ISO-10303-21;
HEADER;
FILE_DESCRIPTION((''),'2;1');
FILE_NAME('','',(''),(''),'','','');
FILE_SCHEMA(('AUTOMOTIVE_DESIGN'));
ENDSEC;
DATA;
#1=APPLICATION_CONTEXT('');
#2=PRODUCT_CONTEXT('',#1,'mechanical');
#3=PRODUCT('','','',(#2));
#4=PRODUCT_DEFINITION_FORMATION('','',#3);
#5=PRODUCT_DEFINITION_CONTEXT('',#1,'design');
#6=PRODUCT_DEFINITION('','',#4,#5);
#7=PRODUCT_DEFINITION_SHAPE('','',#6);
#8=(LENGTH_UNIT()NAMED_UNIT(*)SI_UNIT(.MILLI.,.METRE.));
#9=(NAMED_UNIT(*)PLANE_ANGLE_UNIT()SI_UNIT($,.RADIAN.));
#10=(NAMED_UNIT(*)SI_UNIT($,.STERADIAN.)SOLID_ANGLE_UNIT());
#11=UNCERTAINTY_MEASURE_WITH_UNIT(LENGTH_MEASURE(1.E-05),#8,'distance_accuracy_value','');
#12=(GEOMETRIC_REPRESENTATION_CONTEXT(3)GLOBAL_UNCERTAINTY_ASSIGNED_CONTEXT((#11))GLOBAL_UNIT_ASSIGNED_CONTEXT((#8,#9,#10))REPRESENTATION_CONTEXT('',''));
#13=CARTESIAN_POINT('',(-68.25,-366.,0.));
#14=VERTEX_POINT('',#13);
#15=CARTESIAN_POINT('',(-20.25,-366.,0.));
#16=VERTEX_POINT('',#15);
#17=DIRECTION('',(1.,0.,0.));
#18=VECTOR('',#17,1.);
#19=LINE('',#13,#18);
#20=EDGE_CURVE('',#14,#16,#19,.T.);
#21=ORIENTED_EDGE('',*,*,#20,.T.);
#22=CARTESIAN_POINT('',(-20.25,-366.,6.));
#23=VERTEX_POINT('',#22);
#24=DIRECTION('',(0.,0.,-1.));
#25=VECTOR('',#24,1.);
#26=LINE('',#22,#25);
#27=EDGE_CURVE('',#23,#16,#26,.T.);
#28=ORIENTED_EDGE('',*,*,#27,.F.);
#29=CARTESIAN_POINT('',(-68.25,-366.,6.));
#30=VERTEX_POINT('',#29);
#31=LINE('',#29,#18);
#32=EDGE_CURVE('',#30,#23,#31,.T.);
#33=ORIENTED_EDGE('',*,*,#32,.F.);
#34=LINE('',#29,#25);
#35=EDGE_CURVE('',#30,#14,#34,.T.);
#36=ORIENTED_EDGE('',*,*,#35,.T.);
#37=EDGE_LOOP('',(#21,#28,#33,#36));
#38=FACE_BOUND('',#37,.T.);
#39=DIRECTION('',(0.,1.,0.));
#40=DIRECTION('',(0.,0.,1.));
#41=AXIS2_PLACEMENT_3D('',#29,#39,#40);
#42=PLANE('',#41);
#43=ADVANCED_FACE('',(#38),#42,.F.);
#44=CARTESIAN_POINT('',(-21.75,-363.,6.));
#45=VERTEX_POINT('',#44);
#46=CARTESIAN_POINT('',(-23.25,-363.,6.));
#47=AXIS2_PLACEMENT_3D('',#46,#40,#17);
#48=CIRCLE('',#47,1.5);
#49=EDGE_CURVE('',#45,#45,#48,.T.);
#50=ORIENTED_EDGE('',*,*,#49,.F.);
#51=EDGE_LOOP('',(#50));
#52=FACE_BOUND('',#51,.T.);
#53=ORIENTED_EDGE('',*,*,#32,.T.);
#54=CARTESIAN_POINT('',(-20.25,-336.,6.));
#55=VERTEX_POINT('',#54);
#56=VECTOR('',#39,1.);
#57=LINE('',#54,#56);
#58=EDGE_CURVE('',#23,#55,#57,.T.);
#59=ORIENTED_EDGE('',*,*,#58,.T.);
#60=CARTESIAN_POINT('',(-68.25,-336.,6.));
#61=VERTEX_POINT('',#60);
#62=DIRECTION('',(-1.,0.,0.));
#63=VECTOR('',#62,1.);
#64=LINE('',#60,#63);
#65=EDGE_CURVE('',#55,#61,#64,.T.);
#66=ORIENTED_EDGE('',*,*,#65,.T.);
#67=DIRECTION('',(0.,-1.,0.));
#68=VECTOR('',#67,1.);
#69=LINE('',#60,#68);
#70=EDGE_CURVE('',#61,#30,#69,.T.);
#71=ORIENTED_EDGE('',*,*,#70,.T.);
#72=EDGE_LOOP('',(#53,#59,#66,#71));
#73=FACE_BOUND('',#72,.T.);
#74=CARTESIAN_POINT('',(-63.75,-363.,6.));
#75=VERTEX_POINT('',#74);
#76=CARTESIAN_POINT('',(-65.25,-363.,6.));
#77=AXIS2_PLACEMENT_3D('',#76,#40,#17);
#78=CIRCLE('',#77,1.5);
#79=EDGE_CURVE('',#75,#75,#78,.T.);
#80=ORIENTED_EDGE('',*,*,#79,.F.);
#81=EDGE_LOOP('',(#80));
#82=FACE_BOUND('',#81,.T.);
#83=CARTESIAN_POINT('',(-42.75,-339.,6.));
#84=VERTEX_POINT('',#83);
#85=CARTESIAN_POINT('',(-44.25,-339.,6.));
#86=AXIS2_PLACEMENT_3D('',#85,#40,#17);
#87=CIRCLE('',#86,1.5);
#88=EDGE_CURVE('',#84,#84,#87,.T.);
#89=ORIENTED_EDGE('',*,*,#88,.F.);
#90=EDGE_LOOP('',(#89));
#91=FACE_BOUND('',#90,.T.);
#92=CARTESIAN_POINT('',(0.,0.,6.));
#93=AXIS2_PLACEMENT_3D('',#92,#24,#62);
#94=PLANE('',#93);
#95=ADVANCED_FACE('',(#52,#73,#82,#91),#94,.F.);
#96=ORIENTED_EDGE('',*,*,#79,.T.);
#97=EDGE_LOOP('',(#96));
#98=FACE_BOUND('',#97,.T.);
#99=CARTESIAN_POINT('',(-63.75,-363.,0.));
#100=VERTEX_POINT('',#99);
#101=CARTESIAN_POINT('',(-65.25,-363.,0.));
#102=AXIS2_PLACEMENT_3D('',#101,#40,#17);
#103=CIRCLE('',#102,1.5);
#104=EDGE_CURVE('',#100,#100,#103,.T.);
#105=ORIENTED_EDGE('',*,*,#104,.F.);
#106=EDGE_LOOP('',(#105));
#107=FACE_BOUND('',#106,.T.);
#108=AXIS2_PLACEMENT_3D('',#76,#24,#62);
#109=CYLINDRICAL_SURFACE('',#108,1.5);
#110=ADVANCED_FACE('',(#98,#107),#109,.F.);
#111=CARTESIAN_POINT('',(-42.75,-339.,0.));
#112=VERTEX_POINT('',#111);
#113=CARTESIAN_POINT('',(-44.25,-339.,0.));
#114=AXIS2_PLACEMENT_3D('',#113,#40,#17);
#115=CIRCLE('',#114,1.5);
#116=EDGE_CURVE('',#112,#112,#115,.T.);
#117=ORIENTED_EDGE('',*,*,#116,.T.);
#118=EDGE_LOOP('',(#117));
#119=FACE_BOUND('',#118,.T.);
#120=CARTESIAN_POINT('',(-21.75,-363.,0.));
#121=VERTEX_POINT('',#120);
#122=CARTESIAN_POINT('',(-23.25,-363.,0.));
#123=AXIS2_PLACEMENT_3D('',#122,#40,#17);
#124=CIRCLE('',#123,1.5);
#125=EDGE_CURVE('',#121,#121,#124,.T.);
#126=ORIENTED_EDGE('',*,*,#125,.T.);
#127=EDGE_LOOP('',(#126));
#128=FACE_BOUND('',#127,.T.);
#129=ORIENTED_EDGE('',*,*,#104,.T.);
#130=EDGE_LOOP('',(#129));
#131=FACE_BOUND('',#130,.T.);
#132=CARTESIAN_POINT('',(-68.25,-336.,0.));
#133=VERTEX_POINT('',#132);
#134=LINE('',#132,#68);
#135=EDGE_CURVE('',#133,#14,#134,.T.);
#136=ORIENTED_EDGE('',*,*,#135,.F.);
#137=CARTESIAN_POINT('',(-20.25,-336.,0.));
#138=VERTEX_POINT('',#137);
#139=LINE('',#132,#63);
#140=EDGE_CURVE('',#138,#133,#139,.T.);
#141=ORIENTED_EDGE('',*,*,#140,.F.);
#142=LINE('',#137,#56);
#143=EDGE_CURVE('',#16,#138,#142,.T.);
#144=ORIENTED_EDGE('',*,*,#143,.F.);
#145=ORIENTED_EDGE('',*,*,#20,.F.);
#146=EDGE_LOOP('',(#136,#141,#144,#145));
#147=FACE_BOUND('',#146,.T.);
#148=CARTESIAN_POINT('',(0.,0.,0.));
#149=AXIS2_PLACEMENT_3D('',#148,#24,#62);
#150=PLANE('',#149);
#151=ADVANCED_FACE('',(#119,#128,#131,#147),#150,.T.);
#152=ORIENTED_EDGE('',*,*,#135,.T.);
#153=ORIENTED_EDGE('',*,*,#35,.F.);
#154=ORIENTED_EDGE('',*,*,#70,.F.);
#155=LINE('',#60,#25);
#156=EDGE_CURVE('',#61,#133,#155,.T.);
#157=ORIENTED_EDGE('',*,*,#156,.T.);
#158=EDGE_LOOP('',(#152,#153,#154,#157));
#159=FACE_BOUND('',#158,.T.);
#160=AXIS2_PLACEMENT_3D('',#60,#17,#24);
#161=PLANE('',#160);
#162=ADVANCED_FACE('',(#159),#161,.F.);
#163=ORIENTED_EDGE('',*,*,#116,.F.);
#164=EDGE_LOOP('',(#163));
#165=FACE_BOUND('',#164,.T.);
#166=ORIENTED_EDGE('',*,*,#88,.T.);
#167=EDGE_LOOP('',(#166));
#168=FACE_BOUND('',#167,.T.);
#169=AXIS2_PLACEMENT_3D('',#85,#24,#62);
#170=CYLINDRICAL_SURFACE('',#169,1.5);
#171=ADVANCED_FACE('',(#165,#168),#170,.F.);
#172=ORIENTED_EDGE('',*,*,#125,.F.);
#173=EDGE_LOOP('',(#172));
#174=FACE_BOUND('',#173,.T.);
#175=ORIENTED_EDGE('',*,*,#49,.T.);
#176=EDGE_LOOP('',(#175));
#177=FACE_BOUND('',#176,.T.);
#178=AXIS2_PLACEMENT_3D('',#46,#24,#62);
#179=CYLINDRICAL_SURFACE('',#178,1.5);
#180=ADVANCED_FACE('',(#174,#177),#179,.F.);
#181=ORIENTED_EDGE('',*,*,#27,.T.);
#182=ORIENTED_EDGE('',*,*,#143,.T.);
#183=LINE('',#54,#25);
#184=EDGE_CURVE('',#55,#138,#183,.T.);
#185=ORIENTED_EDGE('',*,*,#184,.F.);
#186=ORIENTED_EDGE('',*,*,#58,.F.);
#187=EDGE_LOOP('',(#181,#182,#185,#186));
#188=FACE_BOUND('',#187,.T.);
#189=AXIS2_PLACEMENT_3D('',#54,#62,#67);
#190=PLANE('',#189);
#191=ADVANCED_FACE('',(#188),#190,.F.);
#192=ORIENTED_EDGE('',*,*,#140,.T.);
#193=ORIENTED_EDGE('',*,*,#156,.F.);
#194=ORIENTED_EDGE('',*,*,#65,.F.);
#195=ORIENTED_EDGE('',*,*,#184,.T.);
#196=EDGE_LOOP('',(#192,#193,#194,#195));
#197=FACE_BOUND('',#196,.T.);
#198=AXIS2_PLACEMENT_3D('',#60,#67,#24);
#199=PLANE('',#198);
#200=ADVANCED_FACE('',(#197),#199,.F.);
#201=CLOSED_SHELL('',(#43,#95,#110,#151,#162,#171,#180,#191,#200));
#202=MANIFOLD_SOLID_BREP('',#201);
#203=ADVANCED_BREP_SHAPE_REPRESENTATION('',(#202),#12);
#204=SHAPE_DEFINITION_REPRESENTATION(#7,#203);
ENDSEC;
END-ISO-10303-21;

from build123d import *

# Parameters (mm, degrees)
SKETCH_1_W      = 48
SKETCH_1_H      = 30
SKETCH_1_R      = 1.5
EXTRUDE_1_DEPTH = 6


with BuildPart() as part:
    # Эскиз1 → Бобышка-Вытянуть1 (new body)
    with BuildSketch(Plane.XY):
        with Locations((-44.25, -351)):
            Rectangle(SKETCH_1_W, SKETCH_1_H)
        with Locations((-65.25, -363)):
            Circle(SKETCH_1_R, mode=Mode.SUBTRACT)
        with Locations((-23.25, -363)):
            Circle(SKETCH_1_R, mode=Mode.SUBTRACT)
        with Locations((-44.25, -339)):
            Circle(SKETCH_1_R, mode=Mode.SUBTRACT)
    extrude(amount=EXTRUDE_1_DEPTH)


solid = part.part
